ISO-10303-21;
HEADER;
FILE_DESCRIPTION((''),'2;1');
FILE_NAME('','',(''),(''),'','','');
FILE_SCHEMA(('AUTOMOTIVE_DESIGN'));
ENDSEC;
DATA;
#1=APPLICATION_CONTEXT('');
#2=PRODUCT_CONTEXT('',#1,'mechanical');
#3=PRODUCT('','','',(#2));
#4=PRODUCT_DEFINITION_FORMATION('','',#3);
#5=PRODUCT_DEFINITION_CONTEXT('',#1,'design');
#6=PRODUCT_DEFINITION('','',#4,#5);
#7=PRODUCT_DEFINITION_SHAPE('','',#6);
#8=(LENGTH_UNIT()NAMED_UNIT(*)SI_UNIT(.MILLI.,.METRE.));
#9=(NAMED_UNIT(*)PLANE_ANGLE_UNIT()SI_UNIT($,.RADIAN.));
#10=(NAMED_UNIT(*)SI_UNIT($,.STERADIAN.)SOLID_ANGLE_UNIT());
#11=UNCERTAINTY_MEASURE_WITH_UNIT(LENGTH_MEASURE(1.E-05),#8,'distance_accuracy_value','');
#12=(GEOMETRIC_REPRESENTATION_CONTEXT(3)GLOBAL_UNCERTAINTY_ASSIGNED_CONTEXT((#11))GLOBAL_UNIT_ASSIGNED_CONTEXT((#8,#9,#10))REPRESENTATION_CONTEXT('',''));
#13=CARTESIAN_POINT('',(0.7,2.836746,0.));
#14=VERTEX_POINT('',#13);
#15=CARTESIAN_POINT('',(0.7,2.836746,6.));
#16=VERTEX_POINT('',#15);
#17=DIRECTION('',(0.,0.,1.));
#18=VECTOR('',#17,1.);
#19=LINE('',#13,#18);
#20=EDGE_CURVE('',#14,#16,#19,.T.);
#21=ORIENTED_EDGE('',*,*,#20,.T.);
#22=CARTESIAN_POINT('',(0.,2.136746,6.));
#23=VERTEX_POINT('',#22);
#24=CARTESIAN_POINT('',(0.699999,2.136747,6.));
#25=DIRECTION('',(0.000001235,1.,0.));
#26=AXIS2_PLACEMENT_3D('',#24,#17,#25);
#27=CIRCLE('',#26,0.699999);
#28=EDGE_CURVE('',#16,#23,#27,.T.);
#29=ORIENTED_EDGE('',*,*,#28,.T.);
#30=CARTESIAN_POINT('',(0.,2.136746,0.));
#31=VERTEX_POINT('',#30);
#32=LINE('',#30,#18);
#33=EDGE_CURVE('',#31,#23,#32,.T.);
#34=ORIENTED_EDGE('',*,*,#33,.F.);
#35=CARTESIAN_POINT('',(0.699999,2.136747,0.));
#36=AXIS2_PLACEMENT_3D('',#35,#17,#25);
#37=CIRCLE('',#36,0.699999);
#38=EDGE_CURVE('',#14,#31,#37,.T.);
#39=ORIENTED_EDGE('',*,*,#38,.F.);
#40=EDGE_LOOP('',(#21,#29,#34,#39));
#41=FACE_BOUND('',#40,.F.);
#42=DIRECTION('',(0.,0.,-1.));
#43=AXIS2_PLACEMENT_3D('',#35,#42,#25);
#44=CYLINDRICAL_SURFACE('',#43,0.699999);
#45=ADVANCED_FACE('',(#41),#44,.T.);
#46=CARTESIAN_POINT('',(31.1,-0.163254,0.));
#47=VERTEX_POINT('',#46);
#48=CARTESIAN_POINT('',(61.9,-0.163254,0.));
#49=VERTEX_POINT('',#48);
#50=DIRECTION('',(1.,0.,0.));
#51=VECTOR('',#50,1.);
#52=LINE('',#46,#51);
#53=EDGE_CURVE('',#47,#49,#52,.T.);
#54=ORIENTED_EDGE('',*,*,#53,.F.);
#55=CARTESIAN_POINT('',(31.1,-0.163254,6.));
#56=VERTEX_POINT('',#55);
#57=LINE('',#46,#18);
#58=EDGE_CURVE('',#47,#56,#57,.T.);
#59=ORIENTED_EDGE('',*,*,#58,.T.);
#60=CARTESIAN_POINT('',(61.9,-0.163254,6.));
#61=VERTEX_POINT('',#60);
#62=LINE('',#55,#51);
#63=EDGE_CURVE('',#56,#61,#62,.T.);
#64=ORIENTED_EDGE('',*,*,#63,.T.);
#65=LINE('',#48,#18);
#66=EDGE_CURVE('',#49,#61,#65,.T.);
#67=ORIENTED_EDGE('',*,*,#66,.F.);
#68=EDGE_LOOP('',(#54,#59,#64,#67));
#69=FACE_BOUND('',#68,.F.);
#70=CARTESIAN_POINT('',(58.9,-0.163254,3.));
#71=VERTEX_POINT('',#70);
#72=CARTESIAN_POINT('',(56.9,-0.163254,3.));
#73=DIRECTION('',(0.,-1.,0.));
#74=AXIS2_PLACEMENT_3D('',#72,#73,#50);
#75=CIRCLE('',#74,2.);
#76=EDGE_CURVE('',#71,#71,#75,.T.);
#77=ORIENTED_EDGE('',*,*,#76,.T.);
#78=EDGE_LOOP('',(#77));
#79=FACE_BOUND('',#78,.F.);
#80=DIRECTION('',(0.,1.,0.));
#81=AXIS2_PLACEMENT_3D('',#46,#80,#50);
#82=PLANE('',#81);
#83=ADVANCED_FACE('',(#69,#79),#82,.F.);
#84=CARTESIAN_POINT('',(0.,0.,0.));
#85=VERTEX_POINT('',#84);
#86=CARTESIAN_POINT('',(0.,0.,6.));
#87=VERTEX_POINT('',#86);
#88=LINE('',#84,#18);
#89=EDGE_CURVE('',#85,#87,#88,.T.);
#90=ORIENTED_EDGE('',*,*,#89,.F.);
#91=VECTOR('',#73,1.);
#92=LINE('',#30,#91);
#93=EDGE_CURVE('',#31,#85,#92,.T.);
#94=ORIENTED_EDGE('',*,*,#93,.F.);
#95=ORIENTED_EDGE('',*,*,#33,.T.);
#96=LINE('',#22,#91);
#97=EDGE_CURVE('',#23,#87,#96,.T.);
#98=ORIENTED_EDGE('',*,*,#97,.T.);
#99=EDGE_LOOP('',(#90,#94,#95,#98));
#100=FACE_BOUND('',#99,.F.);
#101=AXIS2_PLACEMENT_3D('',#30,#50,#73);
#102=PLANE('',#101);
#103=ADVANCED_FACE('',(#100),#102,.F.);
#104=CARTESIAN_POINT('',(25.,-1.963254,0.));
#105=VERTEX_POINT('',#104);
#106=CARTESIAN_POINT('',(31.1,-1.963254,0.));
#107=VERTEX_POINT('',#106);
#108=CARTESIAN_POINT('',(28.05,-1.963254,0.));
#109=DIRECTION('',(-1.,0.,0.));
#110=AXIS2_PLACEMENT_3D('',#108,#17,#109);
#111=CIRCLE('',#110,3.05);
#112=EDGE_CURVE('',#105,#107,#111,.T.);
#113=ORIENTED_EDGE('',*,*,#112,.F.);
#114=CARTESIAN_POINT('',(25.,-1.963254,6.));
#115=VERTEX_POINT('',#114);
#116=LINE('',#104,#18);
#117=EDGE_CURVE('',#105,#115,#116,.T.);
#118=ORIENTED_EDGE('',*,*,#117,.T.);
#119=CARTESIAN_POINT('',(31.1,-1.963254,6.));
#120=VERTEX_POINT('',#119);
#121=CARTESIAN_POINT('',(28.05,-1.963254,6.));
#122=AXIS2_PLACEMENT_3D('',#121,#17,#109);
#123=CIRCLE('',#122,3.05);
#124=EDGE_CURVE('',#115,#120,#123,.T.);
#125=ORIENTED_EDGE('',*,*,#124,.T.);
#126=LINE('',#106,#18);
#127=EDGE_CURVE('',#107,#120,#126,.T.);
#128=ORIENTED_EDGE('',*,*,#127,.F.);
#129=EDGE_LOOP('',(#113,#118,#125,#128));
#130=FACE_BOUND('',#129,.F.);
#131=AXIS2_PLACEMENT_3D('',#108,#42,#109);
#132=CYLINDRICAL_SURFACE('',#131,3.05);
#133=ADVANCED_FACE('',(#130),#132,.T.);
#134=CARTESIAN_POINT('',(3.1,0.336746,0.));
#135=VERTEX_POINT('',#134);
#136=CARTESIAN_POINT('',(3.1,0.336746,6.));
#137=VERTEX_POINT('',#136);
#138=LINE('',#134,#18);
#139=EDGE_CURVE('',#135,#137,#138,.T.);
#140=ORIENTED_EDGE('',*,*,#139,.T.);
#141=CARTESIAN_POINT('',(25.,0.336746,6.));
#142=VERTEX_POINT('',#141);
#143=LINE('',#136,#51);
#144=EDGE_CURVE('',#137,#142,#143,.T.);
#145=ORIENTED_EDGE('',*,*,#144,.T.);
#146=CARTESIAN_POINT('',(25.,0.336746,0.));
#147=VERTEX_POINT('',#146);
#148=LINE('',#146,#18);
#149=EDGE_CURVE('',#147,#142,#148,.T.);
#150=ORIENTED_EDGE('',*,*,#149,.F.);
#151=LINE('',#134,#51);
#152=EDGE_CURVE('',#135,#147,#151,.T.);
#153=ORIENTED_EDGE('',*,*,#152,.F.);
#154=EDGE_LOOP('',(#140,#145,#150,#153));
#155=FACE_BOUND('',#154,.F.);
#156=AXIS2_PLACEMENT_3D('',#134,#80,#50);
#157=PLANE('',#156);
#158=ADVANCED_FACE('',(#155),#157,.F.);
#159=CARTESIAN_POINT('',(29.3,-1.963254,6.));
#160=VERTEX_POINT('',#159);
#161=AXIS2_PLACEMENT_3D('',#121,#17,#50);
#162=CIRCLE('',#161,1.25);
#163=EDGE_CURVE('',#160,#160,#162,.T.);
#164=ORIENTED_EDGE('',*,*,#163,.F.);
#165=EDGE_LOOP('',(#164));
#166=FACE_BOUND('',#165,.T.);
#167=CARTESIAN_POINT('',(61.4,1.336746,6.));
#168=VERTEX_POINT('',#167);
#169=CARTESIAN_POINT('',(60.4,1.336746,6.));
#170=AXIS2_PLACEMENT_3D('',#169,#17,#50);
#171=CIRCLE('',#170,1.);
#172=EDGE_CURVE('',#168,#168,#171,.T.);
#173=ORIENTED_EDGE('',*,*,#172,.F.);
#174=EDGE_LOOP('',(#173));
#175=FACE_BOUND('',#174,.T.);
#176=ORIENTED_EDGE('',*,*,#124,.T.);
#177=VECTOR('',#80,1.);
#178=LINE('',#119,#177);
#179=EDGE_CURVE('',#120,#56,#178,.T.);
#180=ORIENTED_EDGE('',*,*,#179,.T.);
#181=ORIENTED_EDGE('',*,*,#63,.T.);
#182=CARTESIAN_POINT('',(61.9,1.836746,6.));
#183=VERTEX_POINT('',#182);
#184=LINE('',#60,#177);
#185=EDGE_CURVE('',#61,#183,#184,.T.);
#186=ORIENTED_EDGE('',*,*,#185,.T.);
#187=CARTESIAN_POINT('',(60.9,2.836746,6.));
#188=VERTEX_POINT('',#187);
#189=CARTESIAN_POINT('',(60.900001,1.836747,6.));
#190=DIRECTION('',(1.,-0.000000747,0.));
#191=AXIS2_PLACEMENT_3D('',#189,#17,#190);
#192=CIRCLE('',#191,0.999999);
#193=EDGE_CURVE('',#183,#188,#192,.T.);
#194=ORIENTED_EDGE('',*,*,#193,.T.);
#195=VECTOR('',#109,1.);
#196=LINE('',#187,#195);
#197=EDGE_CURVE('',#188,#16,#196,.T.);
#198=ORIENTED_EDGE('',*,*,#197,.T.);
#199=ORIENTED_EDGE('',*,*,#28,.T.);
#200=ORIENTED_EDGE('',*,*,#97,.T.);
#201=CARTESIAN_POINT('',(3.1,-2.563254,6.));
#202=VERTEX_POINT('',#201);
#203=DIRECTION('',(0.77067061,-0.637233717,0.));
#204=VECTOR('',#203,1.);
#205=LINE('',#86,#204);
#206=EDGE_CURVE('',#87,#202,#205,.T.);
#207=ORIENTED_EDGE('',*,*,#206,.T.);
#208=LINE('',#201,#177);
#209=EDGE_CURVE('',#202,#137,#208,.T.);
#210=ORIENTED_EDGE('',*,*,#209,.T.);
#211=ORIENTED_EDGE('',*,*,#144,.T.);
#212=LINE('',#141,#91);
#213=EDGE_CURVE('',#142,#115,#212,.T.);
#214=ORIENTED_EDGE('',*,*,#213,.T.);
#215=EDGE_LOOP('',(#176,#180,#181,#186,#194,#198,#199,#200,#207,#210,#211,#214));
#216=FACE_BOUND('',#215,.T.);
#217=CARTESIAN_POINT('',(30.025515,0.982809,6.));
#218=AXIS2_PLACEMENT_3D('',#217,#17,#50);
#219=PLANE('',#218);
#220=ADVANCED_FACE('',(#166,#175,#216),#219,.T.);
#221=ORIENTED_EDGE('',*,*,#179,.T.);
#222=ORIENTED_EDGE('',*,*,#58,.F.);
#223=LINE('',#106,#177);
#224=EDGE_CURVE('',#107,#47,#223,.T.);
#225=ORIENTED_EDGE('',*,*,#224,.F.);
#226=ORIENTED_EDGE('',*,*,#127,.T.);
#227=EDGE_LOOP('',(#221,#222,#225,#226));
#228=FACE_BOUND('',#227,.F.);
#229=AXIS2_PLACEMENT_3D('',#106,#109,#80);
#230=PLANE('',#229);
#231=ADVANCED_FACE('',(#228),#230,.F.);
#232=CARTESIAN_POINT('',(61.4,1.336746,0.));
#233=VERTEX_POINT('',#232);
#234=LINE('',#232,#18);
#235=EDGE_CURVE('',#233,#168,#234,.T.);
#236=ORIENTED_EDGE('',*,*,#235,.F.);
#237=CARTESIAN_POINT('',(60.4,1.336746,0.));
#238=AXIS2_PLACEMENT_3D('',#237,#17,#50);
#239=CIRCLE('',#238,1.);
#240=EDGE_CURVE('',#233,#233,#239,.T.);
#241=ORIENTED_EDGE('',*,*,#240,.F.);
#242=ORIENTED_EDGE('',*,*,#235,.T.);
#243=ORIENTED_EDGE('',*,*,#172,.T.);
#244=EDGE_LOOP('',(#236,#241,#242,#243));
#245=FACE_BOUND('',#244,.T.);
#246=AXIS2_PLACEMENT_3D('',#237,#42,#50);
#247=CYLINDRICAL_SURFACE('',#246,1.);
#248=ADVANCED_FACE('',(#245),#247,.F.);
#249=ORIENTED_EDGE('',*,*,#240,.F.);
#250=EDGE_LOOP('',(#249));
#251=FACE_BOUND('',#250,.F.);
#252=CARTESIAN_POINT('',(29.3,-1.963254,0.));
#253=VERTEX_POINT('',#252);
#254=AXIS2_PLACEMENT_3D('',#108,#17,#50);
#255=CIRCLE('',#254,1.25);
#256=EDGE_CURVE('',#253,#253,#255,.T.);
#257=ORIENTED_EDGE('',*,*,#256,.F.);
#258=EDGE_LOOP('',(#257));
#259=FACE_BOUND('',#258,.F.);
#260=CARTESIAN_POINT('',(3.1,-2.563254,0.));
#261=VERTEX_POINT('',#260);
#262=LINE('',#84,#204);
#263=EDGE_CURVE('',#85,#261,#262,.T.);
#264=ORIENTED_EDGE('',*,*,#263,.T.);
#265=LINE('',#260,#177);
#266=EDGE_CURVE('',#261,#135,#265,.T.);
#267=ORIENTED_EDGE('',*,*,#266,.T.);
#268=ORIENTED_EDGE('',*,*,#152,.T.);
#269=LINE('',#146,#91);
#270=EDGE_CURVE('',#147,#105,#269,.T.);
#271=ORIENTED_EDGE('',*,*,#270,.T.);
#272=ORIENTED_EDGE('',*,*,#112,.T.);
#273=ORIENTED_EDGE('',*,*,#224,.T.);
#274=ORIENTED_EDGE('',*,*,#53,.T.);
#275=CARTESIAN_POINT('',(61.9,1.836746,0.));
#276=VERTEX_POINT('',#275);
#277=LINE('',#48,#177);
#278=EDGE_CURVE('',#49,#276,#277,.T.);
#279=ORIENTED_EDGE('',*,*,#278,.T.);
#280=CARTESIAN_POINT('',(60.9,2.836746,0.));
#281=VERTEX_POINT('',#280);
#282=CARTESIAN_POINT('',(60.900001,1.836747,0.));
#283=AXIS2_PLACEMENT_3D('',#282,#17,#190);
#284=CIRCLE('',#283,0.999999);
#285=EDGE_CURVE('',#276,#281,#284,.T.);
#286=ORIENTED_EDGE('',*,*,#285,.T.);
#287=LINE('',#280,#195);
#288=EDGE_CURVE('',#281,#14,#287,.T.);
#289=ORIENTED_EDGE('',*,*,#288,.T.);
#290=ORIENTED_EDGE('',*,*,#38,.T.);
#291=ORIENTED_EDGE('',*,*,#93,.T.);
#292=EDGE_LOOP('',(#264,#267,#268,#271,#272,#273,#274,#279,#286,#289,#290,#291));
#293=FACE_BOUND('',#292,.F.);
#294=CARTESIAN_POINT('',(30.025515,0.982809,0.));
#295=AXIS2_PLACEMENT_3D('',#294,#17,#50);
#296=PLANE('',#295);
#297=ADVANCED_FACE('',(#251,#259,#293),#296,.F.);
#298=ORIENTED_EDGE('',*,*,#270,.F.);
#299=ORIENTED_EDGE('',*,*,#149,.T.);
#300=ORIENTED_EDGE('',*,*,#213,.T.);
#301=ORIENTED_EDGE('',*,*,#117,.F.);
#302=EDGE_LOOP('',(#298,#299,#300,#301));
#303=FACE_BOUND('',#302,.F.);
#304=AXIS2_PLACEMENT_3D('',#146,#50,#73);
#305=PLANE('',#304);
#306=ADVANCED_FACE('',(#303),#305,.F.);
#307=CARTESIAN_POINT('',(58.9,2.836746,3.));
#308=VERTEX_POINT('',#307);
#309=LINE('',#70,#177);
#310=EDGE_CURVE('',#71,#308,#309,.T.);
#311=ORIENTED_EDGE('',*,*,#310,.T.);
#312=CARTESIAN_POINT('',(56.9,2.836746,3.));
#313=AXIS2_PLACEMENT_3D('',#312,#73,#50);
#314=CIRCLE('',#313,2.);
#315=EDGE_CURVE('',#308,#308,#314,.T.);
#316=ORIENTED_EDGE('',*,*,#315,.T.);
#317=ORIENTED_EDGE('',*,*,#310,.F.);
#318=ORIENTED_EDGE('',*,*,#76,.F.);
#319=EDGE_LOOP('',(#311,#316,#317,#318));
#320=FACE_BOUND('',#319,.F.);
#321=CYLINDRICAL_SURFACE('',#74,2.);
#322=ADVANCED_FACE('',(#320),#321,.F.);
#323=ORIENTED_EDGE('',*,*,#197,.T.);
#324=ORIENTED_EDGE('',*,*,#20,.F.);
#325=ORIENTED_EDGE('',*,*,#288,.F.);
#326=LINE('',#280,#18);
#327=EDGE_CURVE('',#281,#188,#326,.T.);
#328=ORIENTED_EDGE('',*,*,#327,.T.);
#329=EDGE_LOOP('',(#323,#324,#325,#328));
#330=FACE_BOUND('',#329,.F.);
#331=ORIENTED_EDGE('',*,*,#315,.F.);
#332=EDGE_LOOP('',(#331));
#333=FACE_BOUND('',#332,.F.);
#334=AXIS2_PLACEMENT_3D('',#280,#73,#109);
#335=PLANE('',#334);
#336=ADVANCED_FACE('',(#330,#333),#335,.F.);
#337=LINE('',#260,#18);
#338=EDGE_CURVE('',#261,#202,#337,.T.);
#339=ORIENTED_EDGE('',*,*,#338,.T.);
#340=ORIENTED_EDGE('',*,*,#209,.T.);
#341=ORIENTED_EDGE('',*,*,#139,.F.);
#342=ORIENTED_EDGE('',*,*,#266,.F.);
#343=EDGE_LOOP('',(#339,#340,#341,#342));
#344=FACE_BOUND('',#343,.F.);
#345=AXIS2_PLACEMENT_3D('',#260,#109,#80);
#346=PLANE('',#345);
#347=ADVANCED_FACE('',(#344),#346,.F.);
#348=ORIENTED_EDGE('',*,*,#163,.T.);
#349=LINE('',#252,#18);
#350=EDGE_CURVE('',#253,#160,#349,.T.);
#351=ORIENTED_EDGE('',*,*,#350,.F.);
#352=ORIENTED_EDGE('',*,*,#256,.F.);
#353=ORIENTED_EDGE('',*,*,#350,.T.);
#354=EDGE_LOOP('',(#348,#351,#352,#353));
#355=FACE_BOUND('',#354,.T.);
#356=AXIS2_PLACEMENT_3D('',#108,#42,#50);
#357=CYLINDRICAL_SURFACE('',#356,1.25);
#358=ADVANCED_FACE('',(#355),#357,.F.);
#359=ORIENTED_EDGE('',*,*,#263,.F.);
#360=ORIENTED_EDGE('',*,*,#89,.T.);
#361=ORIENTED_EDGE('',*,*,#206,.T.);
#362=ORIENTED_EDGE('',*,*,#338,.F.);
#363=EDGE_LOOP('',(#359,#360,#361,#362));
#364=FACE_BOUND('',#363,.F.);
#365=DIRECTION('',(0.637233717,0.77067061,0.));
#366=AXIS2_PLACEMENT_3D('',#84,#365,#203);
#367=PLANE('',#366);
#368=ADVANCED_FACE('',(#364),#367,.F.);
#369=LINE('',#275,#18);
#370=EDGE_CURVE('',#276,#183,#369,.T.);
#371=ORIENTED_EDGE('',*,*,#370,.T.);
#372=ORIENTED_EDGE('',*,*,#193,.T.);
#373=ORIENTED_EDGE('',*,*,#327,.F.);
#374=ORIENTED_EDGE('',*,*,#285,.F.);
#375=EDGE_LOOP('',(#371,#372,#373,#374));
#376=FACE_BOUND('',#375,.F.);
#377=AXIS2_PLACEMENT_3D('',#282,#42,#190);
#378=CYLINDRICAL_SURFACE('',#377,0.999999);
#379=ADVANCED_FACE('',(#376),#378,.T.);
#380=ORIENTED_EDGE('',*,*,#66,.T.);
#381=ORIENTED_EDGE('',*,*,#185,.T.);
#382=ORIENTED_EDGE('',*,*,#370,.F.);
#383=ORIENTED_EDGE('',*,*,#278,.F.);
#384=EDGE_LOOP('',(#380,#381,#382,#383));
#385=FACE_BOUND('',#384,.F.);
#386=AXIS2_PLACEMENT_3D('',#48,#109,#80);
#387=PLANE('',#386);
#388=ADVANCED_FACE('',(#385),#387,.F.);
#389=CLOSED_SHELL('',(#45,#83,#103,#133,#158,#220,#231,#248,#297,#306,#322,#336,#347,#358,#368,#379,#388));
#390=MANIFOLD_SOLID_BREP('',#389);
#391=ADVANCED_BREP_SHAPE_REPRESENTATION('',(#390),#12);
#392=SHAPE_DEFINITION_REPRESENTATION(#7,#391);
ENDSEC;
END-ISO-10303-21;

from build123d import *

# Parameters (mm, degrees)
F0_R     = 1.25
F0_R_2   = 1
F1_DEPTH = 6
F2_R     = 2
F3_DEPTH = 25


with BuildPart() as f1:
    # F0 (on Top) → F1 (new body)
    with BuildSketch(Plane.XY):
        with BuildLine():
            Line((60.9, 2.836746), (0.7, 2.836746))
            ThreePointArc((0.7, 2.836746), (0.205025, 2.631721), (0, 2.136746))
            Line((0, 2.136746), (0, 0))
            Line((0, 0), (3.1, -2.563254))
            Line((3.1, -2.563254), (3.1, 0.336746))
            Line((3.1, 0.336746), (25, 0.336746))
            Line((25, 0.336746), (25, -1.963254))
            ThreePointArc((25, -1.963254), (28.05, -5.013254), (31.1, -1.963254))
            Line((31.1, -1.963254), (31.1, -0.163254))
            Line((31.1, -0.163254), (61.9, -0.163254))
            Line((61.9, -0.163254), (61.9, 1.836746))
            ThreePointArc((61.9, 1.836746), (61.607107, 2.543853), (60.9, 2.836746))
        make_face()
        with Locations((28.05, -1.963254)):
            Circle(F0_R, mode=Mode.SUBTRACT)
        with Locations((60.4, 1.336746)):
            Circle(F0_R_2, mode=Mode.SUBTRACT)
    extrude(amount=F1_DEPTH)

    # F2 (on face) → F3 (cut)
    with BuildSketch(Plane.XZ.offset(0.163254)):
        with Locations((56.9, 3)):
            Circle(F2_R)
    extrude(amount=-F3_DEPTH, mode=Mode.SUBTRACT)


solid = f1.part
